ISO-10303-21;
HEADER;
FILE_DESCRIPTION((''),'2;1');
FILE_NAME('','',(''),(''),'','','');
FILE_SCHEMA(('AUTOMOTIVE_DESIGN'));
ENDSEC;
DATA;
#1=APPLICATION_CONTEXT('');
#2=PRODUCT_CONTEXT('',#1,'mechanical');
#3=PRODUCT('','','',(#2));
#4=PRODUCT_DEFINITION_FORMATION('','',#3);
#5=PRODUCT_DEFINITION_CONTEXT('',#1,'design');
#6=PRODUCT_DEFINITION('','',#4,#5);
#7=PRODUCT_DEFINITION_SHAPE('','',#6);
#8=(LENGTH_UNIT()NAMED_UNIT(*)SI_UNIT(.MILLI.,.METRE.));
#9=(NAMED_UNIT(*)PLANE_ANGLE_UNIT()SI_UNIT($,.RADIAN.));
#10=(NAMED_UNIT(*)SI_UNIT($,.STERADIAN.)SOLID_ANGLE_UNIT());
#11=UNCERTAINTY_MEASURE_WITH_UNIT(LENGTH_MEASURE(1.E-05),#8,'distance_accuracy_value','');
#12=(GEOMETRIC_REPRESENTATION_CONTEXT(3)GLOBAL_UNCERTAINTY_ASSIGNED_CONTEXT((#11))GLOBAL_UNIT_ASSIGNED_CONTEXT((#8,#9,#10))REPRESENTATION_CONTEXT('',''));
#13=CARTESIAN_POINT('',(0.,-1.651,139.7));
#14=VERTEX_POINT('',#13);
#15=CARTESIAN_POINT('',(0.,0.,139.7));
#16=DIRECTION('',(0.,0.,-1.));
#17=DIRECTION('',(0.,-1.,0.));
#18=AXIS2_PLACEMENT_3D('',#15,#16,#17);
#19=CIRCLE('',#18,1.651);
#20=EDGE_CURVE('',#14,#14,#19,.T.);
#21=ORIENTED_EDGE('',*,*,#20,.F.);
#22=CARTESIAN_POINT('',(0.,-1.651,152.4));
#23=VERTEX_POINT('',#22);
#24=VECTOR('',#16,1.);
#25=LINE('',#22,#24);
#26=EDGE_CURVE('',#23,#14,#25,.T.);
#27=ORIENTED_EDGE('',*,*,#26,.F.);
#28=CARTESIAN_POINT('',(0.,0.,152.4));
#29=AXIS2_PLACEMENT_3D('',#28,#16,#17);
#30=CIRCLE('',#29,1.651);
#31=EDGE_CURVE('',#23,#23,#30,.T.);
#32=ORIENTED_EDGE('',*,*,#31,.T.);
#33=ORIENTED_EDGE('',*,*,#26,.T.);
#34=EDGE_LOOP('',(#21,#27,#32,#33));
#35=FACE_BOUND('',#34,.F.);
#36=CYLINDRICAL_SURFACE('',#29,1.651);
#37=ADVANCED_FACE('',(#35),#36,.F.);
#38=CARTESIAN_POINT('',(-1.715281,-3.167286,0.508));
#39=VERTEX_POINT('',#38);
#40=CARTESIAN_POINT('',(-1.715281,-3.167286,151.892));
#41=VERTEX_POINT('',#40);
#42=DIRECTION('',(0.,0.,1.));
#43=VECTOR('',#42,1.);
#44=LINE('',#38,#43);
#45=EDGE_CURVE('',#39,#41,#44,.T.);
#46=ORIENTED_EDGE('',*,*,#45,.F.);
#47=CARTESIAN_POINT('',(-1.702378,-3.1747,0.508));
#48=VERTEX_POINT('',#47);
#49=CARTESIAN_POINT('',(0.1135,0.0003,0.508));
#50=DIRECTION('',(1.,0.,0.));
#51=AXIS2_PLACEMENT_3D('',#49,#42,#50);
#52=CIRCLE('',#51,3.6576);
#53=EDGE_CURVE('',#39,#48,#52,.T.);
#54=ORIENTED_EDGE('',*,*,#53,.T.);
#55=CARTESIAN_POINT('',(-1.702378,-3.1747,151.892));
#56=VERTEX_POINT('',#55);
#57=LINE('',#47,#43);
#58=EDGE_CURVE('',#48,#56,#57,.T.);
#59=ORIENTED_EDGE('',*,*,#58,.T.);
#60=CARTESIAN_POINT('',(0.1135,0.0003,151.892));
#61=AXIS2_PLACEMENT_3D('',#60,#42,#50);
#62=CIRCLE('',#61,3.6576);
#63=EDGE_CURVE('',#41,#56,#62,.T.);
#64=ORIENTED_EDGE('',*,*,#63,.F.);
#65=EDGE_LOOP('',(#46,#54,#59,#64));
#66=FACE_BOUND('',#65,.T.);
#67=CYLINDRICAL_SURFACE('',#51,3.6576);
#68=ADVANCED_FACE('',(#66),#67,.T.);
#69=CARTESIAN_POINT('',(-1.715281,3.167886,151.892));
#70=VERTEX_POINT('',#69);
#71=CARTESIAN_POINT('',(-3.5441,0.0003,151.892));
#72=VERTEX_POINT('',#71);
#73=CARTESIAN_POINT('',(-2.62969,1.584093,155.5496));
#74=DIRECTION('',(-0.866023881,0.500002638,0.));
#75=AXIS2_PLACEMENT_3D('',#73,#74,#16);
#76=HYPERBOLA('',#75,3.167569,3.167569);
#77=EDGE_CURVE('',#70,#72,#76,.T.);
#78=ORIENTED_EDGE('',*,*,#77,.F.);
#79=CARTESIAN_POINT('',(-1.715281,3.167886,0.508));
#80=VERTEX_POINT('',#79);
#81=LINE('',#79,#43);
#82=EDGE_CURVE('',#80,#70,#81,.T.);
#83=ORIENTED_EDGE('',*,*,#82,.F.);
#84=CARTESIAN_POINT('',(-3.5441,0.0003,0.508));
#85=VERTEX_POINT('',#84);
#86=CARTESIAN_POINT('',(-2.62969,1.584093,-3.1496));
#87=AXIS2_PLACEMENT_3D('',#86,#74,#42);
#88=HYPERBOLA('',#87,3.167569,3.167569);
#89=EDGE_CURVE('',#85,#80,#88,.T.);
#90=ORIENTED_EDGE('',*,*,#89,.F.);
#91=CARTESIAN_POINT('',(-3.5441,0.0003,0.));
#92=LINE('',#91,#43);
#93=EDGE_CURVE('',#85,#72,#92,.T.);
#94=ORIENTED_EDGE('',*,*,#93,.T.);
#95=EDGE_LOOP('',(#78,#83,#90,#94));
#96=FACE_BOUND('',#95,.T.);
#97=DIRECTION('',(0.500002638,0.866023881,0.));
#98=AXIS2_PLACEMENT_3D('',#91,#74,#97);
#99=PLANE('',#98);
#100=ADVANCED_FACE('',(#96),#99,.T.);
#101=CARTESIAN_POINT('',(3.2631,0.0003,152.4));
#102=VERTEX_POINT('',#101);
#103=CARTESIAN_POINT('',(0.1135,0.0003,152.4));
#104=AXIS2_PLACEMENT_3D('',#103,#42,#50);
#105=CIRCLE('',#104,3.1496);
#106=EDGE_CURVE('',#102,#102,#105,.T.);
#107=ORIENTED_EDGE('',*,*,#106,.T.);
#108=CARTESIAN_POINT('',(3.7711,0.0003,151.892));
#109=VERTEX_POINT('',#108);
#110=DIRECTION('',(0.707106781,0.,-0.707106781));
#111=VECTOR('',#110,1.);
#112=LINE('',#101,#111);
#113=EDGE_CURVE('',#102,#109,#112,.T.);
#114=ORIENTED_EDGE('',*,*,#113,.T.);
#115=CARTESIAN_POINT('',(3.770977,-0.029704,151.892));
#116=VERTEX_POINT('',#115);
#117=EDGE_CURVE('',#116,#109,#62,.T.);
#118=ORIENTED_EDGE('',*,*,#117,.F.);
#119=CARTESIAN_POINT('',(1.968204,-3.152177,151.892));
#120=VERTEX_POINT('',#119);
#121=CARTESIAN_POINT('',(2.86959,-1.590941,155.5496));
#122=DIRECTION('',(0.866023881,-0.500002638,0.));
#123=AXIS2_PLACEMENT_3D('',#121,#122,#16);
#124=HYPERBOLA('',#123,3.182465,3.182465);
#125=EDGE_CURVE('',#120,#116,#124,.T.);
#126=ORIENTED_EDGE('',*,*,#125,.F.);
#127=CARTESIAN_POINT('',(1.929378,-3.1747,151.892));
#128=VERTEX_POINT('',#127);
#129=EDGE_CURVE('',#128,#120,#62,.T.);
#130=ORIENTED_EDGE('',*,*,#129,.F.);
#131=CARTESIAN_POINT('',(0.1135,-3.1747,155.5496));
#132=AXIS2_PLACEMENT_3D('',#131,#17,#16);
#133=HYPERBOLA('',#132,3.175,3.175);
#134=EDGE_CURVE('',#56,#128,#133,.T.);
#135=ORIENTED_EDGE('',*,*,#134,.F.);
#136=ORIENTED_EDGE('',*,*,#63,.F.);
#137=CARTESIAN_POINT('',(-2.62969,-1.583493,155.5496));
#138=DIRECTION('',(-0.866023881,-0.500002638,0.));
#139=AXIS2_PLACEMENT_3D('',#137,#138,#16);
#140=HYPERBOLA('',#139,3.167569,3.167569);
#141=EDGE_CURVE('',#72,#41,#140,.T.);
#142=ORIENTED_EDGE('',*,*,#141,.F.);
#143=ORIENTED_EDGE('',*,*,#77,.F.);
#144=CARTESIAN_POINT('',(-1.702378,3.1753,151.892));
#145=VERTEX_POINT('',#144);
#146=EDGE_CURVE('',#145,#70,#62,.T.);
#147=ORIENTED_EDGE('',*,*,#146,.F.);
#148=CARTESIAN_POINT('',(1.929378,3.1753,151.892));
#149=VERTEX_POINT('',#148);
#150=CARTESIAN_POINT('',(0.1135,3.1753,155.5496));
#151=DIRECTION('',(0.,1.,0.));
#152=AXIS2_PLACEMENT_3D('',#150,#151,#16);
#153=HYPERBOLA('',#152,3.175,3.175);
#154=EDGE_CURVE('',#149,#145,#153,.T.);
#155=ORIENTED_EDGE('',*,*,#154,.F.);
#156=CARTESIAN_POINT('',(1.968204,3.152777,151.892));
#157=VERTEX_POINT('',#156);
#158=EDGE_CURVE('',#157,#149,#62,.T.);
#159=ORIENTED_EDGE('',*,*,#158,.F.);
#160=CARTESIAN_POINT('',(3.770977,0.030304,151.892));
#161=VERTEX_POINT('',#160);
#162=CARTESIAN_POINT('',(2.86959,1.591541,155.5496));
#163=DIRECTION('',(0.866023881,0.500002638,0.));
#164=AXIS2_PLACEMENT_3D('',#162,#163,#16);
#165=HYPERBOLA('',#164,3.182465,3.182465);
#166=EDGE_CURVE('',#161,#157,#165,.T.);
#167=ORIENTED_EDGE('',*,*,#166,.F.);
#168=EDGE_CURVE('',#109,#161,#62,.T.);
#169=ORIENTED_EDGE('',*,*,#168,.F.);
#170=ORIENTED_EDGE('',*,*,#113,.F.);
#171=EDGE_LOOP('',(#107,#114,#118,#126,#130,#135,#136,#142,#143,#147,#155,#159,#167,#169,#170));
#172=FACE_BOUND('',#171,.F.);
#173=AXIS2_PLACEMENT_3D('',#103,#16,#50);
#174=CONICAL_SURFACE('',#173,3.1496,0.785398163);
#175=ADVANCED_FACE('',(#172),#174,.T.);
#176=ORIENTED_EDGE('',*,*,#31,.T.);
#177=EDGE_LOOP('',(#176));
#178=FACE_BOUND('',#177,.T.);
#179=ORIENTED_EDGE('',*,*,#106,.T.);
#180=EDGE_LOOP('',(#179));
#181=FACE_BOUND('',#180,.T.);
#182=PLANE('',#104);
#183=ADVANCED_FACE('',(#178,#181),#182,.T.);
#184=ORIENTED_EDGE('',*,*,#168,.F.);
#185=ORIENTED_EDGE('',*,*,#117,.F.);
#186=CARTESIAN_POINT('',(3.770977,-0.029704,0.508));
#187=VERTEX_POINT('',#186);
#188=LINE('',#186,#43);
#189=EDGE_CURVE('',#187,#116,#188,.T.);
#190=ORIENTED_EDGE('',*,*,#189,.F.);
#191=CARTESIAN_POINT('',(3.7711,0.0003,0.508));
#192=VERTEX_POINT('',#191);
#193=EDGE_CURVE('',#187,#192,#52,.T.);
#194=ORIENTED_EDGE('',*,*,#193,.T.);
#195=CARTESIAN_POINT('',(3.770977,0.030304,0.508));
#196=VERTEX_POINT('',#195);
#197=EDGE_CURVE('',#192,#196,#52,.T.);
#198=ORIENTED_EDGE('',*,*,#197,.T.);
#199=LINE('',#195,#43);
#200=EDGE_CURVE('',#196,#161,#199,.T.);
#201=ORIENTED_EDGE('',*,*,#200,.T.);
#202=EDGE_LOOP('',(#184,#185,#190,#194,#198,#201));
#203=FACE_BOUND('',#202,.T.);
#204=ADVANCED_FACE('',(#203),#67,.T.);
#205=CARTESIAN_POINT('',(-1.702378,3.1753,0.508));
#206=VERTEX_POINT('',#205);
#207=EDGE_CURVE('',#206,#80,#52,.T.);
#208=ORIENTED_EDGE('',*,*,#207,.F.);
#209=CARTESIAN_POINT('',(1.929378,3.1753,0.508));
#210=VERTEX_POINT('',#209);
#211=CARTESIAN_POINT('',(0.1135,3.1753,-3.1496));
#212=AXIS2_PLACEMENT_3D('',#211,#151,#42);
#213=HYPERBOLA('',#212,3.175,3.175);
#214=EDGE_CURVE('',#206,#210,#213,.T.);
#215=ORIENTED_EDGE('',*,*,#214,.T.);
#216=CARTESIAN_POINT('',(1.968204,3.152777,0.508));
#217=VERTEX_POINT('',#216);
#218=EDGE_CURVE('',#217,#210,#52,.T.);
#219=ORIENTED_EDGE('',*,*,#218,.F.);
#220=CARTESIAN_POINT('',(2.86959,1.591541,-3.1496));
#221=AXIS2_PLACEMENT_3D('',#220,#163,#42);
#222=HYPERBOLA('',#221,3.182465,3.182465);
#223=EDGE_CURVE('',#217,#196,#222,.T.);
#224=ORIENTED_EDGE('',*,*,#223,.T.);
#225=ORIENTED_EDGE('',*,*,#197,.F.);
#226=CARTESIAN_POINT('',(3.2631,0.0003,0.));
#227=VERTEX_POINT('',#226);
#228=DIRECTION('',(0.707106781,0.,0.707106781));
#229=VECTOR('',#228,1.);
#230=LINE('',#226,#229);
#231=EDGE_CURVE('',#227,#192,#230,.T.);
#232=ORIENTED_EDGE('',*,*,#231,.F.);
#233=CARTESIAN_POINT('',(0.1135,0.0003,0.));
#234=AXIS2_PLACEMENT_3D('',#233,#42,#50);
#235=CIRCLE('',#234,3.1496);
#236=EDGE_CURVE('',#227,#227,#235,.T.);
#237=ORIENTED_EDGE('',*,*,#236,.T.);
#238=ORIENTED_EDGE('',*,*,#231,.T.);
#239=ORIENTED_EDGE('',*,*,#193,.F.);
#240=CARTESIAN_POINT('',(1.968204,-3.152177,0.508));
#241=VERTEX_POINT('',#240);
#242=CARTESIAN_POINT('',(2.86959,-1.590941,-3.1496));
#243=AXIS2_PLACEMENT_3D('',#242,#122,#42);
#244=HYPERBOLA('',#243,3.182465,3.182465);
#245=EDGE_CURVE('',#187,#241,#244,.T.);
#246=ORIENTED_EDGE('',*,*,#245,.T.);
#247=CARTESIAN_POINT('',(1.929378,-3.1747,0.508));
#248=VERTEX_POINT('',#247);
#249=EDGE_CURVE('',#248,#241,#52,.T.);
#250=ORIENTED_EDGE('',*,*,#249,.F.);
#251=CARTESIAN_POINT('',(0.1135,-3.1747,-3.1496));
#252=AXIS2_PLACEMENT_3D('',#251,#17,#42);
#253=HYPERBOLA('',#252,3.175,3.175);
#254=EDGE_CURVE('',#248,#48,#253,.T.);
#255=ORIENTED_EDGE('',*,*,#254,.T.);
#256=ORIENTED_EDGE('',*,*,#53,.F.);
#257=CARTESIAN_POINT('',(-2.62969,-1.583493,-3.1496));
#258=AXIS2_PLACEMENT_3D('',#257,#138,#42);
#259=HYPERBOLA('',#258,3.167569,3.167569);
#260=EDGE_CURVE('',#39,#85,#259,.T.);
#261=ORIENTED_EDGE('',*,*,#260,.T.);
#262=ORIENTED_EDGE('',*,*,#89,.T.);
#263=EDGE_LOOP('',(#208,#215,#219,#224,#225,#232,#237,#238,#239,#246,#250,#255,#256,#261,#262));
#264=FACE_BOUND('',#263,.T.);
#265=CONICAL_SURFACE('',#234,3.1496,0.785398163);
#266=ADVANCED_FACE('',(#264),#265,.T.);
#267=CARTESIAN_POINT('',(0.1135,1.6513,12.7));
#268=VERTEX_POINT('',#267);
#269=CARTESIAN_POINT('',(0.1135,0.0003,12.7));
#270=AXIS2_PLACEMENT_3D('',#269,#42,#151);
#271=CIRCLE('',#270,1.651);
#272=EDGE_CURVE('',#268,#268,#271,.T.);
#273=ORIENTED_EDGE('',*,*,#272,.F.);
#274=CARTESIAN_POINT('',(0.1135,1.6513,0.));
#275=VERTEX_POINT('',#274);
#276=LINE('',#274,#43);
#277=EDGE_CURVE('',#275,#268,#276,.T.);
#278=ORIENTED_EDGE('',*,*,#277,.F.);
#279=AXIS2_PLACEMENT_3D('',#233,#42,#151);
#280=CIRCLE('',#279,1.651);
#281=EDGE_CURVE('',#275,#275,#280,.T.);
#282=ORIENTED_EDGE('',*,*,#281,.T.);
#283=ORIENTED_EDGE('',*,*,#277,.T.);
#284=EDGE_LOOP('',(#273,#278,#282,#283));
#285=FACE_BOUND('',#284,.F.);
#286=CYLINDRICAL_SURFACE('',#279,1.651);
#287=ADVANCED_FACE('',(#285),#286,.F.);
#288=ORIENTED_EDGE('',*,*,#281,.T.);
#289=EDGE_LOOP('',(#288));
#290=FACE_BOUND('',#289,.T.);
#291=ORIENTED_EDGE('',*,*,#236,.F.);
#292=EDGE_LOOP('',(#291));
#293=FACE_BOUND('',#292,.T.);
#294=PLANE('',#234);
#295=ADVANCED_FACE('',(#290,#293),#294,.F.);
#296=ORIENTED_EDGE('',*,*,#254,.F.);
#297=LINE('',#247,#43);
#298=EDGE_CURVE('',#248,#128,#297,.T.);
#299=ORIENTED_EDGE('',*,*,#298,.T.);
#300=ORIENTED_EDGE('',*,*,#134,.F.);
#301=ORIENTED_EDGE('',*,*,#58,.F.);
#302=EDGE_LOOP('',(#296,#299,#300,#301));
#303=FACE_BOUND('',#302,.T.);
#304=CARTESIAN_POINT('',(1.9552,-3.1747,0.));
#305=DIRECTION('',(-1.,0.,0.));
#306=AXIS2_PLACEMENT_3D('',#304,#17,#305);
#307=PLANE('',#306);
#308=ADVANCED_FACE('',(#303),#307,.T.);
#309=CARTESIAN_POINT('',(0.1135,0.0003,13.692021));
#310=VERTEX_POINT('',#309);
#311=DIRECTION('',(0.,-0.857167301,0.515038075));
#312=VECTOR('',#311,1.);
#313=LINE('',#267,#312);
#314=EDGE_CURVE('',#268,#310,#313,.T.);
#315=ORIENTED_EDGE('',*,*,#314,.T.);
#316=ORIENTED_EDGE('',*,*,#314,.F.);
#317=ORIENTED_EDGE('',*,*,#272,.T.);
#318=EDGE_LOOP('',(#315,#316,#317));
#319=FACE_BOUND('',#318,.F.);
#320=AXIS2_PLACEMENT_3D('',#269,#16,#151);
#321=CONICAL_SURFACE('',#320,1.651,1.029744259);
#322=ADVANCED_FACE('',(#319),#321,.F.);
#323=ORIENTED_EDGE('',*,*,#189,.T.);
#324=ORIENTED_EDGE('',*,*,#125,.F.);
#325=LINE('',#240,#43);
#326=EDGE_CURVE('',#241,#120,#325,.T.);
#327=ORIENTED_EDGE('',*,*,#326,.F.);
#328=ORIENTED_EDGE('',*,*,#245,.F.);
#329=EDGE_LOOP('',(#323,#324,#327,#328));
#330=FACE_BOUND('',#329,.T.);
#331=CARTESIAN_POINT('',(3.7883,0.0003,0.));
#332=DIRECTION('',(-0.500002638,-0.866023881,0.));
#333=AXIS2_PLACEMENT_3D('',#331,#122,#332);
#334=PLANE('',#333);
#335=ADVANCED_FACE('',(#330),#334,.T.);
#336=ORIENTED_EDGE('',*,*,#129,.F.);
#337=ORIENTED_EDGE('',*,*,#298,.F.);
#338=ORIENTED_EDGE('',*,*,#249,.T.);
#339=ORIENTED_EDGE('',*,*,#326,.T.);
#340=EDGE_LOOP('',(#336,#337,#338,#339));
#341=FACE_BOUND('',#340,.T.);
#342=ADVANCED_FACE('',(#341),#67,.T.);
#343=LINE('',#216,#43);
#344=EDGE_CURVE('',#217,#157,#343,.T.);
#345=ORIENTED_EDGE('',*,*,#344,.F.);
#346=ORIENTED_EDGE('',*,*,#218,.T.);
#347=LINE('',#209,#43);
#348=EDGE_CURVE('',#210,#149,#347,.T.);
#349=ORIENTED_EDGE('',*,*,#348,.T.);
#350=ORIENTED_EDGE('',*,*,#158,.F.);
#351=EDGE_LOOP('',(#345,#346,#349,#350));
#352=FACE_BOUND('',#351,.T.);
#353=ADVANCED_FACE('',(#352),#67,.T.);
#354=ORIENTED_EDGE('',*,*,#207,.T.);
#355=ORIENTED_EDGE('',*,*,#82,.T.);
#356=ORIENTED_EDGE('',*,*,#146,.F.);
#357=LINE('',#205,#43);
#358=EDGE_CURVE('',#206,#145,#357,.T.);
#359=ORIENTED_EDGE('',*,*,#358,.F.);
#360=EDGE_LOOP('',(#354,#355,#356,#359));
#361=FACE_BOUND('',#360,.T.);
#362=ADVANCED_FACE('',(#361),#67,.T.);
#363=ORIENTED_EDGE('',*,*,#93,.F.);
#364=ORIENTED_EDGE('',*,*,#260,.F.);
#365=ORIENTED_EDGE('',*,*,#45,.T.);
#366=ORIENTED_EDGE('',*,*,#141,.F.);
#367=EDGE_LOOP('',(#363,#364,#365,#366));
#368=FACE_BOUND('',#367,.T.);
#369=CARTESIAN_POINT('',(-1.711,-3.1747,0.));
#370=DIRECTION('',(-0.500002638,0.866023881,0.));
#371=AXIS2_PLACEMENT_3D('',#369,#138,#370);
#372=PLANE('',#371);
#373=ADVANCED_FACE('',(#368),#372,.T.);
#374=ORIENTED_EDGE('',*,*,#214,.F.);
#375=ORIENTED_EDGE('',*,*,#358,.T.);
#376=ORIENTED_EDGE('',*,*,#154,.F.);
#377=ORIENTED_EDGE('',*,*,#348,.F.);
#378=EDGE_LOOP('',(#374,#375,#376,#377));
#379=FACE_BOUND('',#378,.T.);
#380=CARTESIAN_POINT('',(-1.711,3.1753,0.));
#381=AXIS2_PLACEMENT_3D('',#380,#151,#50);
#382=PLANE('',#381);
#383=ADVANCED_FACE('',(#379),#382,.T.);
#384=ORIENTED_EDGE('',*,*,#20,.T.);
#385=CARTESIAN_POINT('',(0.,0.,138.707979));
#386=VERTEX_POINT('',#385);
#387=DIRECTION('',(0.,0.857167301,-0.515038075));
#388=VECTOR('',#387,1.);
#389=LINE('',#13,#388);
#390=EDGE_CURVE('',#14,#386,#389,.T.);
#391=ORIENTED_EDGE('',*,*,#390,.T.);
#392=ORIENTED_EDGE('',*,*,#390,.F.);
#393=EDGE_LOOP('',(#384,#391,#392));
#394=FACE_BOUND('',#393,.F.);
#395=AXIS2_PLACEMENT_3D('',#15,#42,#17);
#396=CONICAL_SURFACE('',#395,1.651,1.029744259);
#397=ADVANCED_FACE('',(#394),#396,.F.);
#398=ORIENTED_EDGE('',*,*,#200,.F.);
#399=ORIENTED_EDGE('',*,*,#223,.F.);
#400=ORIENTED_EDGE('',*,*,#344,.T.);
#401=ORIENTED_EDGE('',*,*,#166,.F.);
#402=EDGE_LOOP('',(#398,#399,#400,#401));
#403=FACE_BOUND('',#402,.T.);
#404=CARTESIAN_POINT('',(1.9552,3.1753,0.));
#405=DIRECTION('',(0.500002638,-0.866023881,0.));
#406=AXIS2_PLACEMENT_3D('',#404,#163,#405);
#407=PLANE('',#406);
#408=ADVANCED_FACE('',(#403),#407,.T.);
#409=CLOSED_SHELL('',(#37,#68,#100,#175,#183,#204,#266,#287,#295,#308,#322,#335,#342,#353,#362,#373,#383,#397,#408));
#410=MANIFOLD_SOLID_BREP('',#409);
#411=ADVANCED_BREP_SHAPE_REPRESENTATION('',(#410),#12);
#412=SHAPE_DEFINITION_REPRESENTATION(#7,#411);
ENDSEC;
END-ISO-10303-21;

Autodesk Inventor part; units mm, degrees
ref_plane "YZ Plane" through (0, 0, 0) normal (1, 0, 0) x (0, 1, 0)
sketch "Sketch1" plane through (0, 0, 0) normal (0, 0, 1) x (1, 0, 0)
  line L0 (1.9552, -3.1747) -> (-1.711, -3.1747)
  line L1 (-1.711, -3.1747) -> (-3.5441, 0.0003)
  line L2 (-3.5441, 0.0003) -> (-1.711, 3.1753)
  line L3 (-1.711, 3.1753) -> (1.9552, 3.1753)
  line L4 (1.9552, 3.1753) -> (3.7883, 0.0003)
  line L5 (3.7883, 0.0003) -> (1.9552, -3.1747)
  point P0 (0.1221, 0.0003)
  dimension "d0" = 6.35
extrude "Extrusion1" add sketch "Sketch1" along normal blind 152.4
ref_plane "Work Plane1" through (-1.711, 0.0003, 0) normal (0, 1, 0) x (1, 0, 0)
sketch "Sketch3" plane through (-1.711, 0.0003, 0) normal (0, 1, 0) x (1, 0, 0)
  line L0 (-1.3251, 0) -> (4.9741, 0)
  line L1 (5.4821, -0.508) -> (5.4821, -151.892)
  line L2 (-1.8331, -151.892) -> (-1.8331, -0.508)
  line L3 (-1.8331, -0.508) -> (-1.3251, 0)
  line L4 (4.9741, 0) -> (5.4821, -0.508)
  line L5 (-1.8331, 0) -> (-1.8331, -152.4) projected
  line L6 (3.6662, 0) -> (5.4993, 0) projected
  line L7 (1.8245, 0) -> (1.8245, -152.4)
  line L8 (0, -152.4) -> (-1.8331, -152.4) projected
  line L9 (5.4993, -152.4) -> (3.6662, -152.4) projected
  line L10 (3.6662, -152.4) -> (0, -152.4) projected
  line L11 (-1.3251, -152.4) -> (-1.8331, -151.892)
  line L12 (4.9741, -152.4) -> (5.4821, -151.892)
  point P0 (-1.8331, 0)
  point P1 (5.4821, 0)
  point P2 (5.4821, -152.4)
  dimension "d5" = 0.508
  dimension "d6" = 0.508
  dimension "d7" = 0.508
  dimension "d8" = 0.508
  dimension "d16" = 0
  dimension "d46" = 0.508
  dimension "d47" = 0.508
  dimension "d48" = 0.508
  dimension "d49" = 0.508
revolve "Revolution1" cut sketch "Sketch3" angle 360 about axis through (0.1135, 0.0003, 0) along (0, 0, 1) keep common part contours L0 L4 L1 L12 L9 L10 L7
sketch "Sketch6" plane through (0.1135, 0.0003, 0) normal (0, 0, -1) x (-1, 0, 0)
  circle A0 centre (0, 0) radius 3.1496 projected
hole "Hole3" at (0.1135, 0.0003, 0) direction (0, 0, 1) diameter 3.302 depth 12.7 tip angle 118 thread size "8-32 UNC" class "2B" standard "ANSI Unified Screw Threads"
sketch "Sketch7" plane through (0, 0, 152.4) normal (0, 0, 1) x (1, 0, 0)
  point P0 (0, 0)
hole "Hole4" at (0, 0, 152.4) direction (0, 0, -1) diameter 3.302 depth 12.7 tip angle 118 thread size "8-32 UNC" class "2B" standard "ANSI Unified Screw Threads"
ref_plane "Work Plane2" through (0.1135, 0.0003, 76.2) normal (0, 0, -1) x (-1, 0, 0)
equation "\"d6\" = d5"
equation "\"d7\" = d5"
equation "\"d8\" = d7"
properties part number "6 inch Standoff" material "Steel"
